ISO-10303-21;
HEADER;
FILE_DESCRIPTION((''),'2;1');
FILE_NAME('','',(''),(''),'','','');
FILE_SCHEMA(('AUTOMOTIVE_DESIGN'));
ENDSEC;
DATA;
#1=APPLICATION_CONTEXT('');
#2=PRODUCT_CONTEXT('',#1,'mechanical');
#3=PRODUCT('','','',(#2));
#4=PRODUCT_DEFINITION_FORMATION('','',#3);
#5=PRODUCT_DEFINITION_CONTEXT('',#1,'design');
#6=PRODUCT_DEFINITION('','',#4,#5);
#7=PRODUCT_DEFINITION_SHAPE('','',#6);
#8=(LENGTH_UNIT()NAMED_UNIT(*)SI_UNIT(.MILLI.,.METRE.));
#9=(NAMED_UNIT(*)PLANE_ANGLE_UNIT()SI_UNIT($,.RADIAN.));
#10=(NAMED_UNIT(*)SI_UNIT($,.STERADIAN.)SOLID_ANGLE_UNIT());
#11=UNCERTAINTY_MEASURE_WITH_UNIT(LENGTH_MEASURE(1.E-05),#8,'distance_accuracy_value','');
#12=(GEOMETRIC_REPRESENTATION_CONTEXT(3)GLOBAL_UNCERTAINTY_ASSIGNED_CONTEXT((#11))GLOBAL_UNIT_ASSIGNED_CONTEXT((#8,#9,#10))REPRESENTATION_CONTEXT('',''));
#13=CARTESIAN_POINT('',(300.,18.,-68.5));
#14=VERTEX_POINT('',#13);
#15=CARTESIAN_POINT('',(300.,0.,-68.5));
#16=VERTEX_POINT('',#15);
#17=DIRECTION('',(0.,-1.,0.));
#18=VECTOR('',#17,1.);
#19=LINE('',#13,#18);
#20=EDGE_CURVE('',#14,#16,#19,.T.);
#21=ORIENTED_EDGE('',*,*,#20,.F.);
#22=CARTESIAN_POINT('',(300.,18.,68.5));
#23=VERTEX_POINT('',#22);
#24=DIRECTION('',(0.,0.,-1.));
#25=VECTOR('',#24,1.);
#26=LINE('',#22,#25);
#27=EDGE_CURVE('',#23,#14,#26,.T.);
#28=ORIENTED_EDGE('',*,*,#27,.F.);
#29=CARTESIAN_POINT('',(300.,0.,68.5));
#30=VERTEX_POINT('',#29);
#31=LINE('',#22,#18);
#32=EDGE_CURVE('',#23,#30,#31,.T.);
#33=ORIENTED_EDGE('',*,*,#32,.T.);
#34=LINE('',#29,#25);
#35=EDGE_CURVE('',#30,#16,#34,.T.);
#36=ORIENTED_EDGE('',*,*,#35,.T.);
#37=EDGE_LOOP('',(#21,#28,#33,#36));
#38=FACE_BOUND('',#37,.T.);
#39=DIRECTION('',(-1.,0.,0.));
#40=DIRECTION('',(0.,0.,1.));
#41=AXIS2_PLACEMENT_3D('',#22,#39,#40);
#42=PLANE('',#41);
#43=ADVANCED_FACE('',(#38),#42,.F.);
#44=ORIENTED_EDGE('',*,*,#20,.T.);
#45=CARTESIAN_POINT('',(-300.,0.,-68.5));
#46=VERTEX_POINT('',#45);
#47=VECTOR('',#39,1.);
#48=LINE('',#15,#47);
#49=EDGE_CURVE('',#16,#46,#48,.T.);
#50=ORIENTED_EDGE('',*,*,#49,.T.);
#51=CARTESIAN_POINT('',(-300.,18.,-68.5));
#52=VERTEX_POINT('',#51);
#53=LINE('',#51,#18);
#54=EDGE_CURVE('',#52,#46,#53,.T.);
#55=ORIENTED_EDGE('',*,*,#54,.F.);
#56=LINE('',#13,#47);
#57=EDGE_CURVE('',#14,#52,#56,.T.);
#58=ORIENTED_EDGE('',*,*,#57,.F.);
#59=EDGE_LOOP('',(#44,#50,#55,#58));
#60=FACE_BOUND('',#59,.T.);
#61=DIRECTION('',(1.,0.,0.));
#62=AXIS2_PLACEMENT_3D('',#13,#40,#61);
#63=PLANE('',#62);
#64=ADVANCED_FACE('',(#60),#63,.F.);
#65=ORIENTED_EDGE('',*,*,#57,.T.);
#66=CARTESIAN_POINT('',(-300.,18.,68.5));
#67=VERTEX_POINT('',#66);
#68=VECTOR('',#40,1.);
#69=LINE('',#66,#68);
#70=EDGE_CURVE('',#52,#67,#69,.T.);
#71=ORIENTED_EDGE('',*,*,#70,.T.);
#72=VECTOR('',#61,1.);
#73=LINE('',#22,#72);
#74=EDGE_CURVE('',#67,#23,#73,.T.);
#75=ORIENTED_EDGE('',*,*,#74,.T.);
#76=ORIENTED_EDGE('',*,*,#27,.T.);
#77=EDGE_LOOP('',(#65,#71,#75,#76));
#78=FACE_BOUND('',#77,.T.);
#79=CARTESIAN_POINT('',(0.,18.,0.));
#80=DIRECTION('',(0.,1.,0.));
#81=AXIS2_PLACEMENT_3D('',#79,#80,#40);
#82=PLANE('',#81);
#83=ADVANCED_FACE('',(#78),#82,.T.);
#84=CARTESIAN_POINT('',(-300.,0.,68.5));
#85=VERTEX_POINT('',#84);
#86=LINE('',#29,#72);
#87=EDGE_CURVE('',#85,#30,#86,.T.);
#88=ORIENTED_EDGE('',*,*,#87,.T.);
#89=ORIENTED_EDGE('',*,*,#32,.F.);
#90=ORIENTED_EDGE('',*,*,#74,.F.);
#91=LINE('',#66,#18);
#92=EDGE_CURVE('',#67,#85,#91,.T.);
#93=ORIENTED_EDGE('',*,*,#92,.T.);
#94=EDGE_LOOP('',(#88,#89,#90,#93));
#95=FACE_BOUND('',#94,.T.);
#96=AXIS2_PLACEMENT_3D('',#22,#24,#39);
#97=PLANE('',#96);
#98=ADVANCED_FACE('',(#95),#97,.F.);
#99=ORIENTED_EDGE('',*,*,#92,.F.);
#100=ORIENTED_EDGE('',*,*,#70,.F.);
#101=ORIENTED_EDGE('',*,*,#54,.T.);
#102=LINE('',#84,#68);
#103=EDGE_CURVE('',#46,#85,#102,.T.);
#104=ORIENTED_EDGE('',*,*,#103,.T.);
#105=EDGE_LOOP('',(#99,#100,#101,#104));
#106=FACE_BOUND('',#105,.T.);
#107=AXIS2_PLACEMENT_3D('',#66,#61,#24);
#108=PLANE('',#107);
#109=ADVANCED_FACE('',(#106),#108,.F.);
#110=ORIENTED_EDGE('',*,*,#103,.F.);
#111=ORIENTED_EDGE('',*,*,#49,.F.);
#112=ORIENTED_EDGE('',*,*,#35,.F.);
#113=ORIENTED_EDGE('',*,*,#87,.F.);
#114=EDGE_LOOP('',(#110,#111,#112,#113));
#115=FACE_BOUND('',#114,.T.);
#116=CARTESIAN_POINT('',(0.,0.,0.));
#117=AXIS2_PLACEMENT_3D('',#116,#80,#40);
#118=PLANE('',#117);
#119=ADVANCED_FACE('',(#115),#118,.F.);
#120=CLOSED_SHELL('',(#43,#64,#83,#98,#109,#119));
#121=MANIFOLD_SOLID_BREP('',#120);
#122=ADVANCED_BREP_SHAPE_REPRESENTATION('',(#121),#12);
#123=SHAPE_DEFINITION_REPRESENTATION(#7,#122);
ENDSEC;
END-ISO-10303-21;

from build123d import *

# Parameters (mm, degrees)
SKETCH_1_W      = 600
SKETCH_1_H      = 137
EXTRUDE_1_DEPTH = 18


with BuildPart() as part:
    # Эскиз1 → Бобышка-Вытянуть1 (new body)
    with BuildSketch(Plane(origin=(0, 0, 0), x_dir=(1, 0, 0), z_dir=(0, 1, 0))):
        Rectangle(SKETCH_1_W, SKETCH_1_H)
    extrude(amount=EXTRUDE_1_DEPTH)


solid = part.part
